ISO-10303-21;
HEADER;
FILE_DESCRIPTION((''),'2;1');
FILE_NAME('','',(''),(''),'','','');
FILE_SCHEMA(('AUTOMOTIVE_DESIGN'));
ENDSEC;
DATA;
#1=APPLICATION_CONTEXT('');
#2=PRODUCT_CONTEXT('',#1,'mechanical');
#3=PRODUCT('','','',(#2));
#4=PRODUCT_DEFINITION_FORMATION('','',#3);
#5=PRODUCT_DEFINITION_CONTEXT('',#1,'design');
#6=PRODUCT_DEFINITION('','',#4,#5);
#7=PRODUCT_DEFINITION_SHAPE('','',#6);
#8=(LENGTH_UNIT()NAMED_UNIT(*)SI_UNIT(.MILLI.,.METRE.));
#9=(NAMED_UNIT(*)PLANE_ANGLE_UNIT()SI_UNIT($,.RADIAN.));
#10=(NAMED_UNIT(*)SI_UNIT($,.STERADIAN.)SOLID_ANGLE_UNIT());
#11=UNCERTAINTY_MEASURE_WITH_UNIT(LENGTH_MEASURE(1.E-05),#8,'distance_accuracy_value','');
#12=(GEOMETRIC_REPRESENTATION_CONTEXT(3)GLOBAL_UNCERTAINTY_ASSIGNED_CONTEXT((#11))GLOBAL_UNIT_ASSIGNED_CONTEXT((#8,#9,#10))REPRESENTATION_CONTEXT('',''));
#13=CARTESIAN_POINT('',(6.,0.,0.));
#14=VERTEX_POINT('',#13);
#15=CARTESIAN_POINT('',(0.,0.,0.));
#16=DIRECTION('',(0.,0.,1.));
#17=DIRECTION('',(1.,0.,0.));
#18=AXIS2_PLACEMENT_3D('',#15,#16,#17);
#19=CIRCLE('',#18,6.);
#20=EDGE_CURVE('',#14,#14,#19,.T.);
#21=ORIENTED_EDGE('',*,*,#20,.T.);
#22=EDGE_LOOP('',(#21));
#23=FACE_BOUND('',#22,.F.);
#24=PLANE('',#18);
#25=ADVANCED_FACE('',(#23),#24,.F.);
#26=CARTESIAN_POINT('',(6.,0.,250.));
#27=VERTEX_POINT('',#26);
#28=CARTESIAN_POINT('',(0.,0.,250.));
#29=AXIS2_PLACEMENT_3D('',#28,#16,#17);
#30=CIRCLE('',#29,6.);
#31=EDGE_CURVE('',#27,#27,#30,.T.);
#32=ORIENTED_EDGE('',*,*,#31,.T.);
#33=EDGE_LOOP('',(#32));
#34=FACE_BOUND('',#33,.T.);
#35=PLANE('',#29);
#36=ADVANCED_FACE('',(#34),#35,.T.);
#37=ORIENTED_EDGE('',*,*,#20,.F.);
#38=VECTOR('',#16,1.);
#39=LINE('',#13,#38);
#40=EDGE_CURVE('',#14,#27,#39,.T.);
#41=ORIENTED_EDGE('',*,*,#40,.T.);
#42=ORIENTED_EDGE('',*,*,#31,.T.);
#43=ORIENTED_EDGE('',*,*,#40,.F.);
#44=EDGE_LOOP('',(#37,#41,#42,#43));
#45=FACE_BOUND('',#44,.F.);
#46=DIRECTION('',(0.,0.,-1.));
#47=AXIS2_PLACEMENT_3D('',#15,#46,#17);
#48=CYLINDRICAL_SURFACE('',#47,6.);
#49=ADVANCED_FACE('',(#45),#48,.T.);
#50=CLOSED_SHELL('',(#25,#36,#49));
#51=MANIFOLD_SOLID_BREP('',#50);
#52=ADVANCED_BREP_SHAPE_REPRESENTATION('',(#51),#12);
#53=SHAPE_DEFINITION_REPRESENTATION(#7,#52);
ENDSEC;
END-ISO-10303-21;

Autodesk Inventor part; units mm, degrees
ref_plane "YZ Plane" through (0, 0, 0) normal (1, 0, 0) x (0, 1, 0)
ref_plane "XZ Plane" through (0, 0, 0) normal (0, 1, 0) x (-1, 0, 0)
ref_plane "XY Plane" through (0, 0, 0) normal (0, 0, 1) x (1, 0, 0)
sketch "Sketch1" plane through (0, 0, 0) normal (0, 0, 1) x (1, 0, 0)
  circle A0 centre (0, 0) radius 6
  dimension "d0" = 12
extrude "Extrusion1" add sketch "Sketch1" along normal blind 250
properties part number "QS12MM250" material "Steel, Carbon"
